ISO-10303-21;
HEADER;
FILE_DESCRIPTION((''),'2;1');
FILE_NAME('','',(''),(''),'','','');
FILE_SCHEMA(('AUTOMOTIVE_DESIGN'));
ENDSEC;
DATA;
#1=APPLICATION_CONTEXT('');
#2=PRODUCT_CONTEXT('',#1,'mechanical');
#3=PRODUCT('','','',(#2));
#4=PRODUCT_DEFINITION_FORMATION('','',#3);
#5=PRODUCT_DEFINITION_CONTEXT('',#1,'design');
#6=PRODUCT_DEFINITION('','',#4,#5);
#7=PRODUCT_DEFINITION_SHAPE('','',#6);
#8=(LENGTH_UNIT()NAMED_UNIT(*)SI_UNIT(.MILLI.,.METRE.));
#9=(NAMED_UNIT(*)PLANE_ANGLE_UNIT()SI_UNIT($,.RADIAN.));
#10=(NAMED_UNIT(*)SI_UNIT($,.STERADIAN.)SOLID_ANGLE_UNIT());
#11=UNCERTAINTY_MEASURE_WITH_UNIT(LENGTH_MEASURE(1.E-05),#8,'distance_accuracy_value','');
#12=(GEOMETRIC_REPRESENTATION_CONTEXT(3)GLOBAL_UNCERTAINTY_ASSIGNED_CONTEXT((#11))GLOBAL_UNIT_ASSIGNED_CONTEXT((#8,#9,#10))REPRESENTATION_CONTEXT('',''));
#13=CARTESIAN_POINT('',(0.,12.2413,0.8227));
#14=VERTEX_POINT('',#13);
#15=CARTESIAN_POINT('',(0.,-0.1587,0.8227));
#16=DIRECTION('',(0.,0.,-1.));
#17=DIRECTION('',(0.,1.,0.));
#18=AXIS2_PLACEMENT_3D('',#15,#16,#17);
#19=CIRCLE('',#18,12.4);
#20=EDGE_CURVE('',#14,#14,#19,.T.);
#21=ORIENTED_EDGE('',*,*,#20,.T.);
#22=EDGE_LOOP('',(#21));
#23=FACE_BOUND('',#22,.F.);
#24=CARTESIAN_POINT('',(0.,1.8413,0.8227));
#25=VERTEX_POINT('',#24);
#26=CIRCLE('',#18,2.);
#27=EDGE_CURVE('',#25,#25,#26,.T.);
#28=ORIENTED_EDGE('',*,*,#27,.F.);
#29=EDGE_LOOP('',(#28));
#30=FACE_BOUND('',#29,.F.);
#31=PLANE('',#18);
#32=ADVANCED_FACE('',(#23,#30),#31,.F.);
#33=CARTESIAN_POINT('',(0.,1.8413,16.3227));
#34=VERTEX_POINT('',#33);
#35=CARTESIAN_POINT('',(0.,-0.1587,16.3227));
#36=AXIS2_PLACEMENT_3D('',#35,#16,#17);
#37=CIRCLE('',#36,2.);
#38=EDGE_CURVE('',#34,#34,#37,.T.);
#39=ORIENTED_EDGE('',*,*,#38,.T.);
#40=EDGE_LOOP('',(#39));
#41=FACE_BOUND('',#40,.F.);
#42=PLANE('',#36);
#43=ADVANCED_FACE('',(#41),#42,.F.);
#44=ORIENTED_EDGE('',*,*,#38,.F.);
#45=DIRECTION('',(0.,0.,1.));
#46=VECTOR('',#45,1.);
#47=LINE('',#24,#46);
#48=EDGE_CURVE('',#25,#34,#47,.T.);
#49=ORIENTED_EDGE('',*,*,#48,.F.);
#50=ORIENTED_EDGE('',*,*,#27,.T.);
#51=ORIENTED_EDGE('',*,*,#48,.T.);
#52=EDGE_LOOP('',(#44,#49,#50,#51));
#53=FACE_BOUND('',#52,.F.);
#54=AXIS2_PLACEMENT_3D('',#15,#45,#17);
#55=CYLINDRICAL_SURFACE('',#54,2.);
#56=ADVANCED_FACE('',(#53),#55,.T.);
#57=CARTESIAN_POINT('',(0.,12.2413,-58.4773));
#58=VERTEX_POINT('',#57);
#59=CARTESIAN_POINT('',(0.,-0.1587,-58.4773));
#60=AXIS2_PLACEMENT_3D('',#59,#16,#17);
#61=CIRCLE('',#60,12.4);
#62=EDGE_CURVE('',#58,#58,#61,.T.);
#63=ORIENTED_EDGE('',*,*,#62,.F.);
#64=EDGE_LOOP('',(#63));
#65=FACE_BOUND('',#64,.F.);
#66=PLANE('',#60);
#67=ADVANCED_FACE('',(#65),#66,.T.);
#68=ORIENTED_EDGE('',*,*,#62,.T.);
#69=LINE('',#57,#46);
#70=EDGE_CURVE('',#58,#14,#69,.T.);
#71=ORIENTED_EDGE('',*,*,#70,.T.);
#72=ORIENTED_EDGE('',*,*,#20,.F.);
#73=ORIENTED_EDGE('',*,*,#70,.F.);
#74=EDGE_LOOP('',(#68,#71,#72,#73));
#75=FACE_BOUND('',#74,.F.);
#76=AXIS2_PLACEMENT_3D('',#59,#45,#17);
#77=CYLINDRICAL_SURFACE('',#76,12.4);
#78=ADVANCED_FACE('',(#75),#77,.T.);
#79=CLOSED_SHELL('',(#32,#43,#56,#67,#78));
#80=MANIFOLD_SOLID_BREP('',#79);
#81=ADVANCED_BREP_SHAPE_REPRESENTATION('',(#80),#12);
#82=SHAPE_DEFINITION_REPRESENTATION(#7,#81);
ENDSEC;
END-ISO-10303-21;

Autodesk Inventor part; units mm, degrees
ref_plane "YZ Plane" through (0, 0, 0) normal (1, 0, 0) x (0, 1, 0)
ref_plane "XZ Plane" through (0, 0, 0) normal (0, 1, 0) x (-1, 0, 0)
ref_plane "XY Plane" through (0, 0, 0) normal (0, 0, 1) x (1, 0, 0)
sketch "Sketch1" plane through (0, 0, 0) normal (1, 0, 0) x (0, 1, 0)
  line L0 (12.2413, 0.8227) -> (-0.1587, 0.8227)
  line L1 (-0.1587, 0.8227) -> (-0.1587, -58.4773)
  line L2 (-0.1587, -58.4773) -> (12.2413, -58.4773)
  line L3 (12.2413, -58.4773) -> (12.2413, 0.8227)
  line L4 (-0.1587, 0.8227) -> (1.8413, 0.8227)
  line L5 (1.8413, 0.8227) -> (1.8413, 16.3227)
  line L6 (1.8413, 16.3227) -> (-0.1587, 16.3227)
  line L7 (-0.1587, 16.3227) -> (-0.1587, 0.8227)
  line L8 (-0.1587, 23.5633) -> (-0.1587, -69.074)
  point P0 (0, 0)
  dimension "d0" = 59.3
  dimension "d1" = 12.4
  dimension "d2" = 2
  dimension "d3" = 15.5
revolve "Revolution1" add sketch "Sketch1" angle 360 about axis through (0, -0.1587, 23.5633) along (0, 0, -1)
properties part number "econ gear"
